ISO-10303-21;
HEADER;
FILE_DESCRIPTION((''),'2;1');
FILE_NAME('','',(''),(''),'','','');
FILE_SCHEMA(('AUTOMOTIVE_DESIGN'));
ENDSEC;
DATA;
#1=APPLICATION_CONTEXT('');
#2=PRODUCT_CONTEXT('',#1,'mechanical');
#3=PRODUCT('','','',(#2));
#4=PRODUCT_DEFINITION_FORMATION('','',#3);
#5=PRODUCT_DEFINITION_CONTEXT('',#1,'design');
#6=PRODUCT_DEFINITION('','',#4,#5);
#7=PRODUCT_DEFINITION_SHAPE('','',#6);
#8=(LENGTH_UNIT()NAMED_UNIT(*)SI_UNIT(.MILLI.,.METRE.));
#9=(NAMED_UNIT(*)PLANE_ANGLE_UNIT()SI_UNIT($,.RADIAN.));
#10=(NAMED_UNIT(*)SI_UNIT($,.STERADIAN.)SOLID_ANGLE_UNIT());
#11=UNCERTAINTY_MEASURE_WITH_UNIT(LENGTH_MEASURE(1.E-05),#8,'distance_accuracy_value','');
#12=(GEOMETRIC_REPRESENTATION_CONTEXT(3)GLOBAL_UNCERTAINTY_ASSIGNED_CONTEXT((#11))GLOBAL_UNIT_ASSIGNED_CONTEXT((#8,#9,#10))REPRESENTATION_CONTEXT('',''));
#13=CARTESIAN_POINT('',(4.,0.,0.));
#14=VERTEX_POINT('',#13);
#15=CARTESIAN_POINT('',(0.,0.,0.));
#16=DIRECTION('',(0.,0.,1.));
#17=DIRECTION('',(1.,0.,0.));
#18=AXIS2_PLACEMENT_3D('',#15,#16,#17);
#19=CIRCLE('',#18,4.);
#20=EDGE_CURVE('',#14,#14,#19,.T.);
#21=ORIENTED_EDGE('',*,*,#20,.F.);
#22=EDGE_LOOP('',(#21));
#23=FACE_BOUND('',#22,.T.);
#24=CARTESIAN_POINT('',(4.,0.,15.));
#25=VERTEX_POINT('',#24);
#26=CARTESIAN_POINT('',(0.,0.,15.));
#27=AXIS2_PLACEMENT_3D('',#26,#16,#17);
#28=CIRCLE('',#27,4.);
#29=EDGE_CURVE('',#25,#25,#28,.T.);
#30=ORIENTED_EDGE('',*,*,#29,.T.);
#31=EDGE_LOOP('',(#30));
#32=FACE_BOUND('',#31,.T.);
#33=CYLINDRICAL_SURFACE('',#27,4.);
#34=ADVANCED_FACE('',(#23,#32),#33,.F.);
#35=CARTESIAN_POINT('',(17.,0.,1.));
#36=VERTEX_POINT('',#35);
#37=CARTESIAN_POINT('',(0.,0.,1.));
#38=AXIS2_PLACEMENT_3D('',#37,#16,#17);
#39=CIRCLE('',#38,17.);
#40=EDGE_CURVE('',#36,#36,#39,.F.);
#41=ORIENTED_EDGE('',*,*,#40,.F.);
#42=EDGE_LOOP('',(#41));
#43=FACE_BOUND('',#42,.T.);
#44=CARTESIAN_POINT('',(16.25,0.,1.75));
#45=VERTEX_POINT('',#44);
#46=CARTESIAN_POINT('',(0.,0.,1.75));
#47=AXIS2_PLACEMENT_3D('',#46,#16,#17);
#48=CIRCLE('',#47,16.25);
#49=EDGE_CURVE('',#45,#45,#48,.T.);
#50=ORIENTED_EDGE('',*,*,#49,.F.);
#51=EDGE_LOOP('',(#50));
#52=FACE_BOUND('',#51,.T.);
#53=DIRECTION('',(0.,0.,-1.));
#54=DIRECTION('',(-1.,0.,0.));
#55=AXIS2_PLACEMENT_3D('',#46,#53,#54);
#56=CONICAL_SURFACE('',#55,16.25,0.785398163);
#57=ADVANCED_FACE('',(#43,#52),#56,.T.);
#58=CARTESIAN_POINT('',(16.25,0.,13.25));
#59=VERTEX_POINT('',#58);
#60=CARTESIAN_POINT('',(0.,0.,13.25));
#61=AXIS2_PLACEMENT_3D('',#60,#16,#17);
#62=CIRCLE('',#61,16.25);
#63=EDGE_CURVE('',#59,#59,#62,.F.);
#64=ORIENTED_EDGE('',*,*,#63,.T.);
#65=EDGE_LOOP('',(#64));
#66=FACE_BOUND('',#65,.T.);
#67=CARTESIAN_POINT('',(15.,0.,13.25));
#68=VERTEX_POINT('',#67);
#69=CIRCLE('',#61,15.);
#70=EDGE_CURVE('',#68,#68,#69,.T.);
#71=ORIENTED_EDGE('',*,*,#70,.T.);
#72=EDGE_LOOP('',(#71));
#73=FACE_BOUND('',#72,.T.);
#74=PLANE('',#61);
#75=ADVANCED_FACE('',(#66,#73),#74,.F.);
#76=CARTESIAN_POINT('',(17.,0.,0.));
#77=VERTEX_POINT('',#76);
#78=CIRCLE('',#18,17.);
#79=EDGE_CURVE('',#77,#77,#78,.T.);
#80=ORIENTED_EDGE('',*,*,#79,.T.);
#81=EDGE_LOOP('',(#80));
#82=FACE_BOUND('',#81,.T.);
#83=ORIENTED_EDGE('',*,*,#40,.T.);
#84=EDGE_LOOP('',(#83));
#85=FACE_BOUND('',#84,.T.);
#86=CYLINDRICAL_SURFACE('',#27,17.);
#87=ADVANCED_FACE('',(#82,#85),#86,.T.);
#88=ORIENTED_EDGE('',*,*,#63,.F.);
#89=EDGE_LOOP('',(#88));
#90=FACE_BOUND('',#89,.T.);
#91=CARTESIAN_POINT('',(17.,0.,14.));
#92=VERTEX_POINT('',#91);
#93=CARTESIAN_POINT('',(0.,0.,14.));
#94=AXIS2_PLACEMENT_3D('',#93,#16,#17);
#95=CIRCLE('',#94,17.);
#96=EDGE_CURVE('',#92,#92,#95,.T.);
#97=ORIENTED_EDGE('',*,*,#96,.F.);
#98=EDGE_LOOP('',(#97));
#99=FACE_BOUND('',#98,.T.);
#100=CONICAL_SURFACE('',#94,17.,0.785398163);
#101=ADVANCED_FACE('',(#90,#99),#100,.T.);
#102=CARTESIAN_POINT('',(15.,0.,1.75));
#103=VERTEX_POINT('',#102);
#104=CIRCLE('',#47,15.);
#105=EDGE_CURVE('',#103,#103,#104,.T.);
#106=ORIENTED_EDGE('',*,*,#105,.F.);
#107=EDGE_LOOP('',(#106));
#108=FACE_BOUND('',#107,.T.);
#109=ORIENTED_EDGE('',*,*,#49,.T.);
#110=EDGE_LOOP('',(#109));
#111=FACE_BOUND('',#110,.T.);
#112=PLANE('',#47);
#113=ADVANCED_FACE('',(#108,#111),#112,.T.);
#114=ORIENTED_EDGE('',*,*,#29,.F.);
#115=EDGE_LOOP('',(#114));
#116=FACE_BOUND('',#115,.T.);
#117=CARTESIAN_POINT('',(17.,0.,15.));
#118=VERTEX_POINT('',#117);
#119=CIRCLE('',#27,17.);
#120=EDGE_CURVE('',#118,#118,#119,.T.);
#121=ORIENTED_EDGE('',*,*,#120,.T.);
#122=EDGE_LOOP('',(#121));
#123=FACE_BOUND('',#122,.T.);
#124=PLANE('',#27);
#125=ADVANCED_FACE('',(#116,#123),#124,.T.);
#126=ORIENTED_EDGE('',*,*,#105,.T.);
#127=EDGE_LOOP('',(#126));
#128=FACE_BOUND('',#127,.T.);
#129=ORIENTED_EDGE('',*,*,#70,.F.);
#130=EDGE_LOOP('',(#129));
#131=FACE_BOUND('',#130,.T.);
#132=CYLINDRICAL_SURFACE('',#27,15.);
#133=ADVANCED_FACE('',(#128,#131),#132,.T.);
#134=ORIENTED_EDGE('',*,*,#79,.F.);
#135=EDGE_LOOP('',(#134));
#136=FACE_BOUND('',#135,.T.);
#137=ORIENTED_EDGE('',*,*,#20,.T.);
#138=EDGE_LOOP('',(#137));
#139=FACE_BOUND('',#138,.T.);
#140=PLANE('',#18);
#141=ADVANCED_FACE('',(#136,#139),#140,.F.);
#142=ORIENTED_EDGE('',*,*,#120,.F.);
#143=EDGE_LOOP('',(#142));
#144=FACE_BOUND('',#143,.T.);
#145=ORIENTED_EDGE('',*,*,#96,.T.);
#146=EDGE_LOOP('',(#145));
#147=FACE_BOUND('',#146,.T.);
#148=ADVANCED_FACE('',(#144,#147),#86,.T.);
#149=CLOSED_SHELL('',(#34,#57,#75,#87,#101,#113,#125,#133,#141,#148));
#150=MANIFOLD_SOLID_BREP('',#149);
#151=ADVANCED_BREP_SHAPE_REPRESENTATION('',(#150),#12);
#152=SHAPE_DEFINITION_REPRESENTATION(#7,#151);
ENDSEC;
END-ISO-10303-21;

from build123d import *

# Parameters (mm, degrees)
ESQUISSE1_W     = 1.75
ESQUISSE1_H     = 2
ESQUISSE1_W_2   = 15
ESQUISSE1_H_2   = 7
CHANFREIN1_SIZE = 0.75


with BuildPart() as part:
    # Esquisse1 → Révolution1 (revolve)
    with BuildSketch(Plane(origin=(0, 0, 0), x_dir=(0, 0, -1), z_dir=(1, 0, 0))):
        Polygon((-15, 15), (-15, 11), (0, 11), (0, 15), (-1.75, 15), (-13.25, 15), align=None)
        with Locations((-14.125, 16)):
            Rectangle(ESQUISSE1_W, ESQUISSE1_H)
        with Locations((-0.875, 16)):
            Rectangle(ESQUISSE1_W, ESQUISSE1_H)
        with Locations((-7.5, 7.5)):
            Rectangle(ESQUISSE1_W_2, ESQUISSE1_H_2)
    revolve(axis=Axis((0, 0, 15), (0, 0, -1)))

    # Chanfrein1
    chanfrein1_edges = [part.edges().sort_by_distance(p)[0] for p in [
        (0, -17, 1.75),
        (0, -17, 13.25),
    ]]
    chamfer(chanfrein1_edges, length=CHANFREIN1_SIZE)


solid = part.part
